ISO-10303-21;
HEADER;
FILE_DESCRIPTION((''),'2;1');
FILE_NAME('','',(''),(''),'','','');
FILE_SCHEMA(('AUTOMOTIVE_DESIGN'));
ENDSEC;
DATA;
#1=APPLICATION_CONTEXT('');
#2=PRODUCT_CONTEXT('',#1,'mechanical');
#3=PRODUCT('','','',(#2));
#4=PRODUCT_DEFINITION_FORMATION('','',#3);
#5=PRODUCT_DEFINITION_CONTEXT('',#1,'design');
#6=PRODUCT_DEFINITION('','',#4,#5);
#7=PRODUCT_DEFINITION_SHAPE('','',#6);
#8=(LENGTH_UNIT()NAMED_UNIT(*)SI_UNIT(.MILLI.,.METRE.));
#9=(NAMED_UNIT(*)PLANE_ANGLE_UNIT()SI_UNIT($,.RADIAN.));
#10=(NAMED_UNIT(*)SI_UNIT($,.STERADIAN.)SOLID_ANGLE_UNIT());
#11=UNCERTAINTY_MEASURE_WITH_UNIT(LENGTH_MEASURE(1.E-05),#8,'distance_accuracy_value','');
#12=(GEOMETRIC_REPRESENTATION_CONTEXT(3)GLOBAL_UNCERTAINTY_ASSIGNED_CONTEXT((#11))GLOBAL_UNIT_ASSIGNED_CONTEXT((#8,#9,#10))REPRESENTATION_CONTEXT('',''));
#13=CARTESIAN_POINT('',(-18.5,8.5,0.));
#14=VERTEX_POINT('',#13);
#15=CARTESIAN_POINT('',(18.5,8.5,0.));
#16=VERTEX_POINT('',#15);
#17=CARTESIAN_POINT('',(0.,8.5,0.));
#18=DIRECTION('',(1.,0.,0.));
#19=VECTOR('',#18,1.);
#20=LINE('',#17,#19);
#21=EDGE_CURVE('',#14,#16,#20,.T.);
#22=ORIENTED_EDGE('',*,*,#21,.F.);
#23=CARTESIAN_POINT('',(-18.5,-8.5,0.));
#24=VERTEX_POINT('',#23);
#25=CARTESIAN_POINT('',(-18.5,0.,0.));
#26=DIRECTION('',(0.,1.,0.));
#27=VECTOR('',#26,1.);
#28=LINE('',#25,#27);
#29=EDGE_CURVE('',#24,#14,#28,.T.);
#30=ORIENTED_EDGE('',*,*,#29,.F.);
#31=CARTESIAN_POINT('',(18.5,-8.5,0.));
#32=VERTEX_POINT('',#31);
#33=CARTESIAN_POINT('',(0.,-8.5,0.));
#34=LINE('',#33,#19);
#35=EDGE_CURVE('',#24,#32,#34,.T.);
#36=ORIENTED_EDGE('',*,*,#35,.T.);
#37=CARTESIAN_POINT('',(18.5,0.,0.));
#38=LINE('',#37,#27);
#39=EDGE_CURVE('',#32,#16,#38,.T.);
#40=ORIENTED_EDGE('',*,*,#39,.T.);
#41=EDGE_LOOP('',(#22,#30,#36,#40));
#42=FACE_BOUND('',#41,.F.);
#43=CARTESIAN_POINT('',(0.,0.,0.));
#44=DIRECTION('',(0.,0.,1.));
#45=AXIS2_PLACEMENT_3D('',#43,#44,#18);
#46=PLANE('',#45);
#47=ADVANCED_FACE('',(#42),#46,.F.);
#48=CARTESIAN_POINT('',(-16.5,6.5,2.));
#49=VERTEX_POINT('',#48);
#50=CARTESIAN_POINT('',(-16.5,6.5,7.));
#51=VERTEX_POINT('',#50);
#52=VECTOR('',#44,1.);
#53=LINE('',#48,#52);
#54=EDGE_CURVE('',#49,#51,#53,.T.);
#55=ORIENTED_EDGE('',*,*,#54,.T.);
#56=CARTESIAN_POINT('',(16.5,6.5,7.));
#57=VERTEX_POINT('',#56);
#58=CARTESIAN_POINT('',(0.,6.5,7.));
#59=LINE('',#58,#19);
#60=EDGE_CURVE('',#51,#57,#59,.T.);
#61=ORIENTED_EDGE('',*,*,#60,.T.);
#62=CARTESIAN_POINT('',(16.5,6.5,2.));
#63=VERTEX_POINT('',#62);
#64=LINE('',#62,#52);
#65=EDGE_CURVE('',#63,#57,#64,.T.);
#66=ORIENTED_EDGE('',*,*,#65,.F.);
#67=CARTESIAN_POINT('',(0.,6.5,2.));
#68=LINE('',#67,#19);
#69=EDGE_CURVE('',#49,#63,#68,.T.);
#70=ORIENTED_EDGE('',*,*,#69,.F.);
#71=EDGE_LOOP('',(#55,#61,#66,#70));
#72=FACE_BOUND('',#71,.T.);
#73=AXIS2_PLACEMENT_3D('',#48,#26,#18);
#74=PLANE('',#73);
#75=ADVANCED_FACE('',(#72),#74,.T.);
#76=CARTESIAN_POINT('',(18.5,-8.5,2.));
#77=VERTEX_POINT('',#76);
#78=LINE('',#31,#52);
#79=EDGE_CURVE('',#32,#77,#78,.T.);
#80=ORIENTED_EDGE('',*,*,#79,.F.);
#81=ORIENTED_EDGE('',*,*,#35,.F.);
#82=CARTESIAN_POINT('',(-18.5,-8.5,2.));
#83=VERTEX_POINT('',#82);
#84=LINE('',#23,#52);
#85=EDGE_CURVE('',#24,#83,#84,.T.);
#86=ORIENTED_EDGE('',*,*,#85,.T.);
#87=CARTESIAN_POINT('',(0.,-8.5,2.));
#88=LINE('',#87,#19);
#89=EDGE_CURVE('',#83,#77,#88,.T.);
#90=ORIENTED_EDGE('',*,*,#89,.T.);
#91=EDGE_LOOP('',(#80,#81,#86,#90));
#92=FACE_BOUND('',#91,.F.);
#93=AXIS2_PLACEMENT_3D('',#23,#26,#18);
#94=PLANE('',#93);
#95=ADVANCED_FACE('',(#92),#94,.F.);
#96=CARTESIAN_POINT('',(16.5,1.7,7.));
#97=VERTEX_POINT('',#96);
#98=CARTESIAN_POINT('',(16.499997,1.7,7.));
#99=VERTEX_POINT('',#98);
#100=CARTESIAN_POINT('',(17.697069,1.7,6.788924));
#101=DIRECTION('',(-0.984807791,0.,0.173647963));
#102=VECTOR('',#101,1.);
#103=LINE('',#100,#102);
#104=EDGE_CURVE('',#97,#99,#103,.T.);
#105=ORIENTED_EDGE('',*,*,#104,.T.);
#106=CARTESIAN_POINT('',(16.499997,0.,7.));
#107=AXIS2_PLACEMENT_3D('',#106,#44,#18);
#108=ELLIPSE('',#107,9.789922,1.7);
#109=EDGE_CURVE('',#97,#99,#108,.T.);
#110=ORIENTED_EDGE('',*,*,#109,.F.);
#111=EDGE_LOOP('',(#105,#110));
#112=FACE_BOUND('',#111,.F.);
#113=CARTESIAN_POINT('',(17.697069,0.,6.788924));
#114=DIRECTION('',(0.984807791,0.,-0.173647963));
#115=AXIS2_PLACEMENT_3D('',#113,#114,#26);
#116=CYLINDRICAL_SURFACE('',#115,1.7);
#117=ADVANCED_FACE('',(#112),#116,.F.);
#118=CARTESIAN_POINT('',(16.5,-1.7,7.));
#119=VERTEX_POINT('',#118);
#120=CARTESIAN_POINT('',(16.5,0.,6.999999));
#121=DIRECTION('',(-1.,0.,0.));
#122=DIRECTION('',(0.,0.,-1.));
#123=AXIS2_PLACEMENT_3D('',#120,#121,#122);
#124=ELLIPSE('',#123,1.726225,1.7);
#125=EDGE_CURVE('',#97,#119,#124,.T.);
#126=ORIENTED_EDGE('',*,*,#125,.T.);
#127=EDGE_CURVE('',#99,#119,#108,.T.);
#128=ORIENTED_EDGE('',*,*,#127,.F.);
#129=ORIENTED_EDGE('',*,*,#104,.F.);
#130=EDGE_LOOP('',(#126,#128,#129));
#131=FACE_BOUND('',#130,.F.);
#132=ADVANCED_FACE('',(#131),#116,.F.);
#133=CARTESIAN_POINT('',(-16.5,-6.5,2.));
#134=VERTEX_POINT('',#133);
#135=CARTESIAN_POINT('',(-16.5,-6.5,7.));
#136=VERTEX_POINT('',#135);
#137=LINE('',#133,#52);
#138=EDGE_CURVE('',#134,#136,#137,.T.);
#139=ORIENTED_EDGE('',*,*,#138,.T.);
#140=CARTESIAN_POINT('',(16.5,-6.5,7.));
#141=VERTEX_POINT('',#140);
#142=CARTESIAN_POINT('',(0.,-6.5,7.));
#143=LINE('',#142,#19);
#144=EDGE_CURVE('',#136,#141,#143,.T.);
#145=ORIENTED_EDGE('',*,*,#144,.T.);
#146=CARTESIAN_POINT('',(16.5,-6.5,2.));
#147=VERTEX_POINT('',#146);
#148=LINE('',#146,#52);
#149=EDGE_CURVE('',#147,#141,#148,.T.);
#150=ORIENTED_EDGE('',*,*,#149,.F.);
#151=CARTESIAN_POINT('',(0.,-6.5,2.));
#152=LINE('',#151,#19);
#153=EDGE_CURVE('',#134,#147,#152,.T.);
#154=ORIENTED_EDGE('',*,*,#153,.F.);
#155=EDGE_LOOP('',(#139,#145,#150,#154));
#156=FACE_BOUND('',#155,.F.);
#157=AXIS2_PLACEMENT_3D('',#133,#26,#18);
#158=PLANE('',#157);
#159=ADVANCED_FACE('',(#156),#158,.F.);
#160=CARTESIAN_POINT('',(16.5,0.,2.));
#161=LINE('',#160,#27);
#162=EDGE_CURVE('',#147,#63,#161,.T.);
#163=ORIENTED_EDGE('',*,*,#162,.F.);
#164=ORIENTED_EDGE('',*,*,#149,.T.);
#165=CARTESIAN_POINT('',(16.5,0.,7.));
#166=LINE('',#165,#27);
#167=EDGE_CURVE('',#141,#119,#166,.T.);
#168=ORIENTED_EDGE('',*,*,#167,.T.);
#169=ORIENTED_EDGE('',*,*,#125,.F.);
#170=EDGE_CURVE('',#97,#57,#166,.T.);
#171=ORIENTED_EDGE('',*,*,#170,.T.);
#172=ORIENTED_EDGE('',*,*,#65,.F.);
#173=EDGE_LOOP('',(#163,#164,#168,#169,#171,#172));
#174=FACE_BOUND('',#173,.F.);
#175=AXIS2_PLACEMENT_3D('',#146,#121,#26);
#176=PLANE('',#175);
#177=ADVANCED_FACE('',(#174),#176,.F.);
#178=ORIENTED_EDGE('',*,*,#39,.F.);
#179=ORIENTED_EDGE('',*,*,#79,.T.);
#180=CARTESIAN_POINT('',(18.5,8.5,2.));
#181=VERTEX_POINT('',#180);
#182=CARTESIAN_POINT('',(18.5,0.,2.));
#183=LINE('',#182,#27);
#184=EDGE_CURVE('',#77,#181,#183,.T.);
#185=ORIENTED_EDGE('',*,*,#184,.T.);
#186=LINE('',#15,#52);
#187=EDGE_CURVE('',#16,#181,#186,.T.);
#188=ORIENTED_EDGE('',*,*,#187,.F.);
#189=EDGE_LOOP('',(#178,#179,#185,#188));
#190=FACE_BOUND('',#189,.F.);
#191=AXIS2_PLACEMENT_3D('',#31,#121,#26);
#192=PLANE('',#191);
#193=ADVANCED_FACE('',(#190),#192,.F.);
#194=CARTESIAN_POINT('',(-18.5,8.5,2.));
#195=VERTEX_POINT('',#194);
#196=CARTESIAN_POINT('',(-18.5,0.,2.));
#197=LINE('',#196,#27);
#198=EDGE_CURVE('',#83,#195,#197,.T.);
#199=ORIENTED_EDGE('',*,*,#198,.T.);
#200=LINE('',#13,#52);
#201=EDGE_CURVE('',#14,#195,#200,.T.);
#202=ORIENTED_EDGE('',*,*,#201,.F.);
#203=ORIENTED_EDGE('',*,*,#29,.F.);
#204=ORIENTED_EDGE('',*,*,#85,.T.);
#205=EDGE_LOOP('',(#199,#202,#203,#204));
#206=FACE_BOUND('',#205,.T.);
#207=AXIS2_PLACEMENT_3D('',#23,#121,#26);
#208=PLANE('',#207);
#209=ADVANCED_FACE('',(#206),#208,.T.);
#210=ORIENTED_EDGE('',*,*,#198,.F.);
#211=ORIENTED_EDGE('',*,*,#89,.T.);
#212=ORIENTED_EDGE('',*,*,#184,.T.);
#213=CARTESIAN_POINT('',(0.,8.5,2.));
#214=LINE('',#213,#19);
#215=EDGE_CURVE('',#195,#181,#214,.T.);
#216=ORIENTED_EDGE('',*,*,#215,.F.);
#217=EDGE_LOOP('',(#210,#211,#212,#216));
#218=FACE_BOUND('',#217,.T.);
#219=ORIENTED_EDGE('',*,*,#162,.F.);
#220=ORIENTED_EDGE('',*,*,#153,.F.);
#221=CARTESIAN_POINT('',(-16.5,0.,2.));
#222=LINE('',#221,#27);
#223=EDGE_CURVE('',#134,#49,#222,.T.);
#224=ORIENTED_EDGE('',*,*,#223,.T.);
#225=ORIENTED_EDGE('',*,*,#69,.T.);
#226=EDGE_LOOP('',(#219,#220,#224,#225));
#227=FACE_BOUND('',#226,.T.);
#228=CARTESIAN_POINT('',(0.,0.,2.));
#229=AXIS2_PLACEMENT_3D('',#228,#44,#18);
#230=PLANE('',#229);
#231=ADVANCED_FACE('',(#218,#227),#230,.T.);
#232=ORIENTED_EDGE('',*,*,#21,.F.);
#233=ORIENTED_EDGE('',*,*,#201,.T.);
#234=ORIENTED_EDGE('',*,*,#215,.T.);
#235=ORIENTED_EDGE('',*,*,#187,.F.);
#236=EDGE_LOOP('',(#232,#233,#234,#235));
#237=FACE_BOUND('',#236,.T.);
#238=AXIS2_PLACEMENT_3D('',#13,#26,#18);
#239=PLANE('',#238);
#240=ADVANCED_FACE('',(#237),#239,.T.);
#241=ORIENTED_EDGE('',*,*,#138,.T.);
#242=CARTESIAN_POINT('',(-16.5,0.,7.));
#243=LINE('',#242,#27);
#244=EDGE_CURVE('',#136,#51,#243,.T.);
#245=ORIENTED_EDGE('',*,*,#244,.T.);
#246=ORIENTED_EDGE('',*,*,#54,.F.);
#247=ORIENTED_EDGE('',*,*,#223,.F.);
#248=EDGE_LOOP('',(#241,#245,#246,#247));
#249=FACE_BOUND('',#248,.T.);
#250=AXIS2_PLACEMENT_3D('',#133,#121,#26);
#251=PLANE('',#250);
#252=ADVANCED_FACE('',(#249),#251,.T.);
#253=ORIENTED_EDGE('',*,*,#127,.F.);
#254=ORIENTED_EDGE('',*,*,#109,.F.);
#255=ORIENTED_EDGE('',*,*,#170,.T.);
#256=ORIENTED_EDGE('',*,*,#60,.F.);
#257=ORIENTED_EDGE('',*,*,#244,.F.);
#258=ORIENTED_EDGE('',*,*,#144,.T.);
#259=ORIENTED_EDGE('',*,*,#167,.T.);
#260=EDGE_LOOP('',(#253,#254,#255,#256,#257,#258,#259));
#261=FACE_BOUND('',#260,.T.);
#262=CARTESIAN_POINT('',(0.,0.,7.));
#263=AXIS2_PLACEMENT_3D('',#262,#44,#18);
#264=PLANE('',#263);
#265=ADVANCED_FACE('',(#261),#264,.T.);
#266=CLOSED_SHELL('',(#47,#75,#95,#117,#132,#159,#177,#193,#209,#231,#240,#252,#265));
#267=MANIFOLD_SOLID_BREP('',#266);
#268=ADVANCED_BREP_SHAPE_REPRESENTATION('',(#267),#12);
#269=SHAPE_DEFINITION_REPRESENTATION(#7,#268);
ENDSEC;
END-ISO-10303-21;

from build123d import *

# Parameters (mm, degrees)
SKETCH_W     = 37
SKETCH_H     = 17
PAD_DEPTH    = 2
SKETCH001_W  = 33
SKETCH001_H  = 13
PAD001_DEPTH = 5
SKETCH002_R  = 1.7
POCKET_DEPTH = 115


with BuildPart() as part:
    # Sketch → Pad (new body)
    with BuildSketch(Plane.XY):
        Rectangle(SKETCH_W, SKETCH_H)
    extrude(amount=PAD_DEPTH)

    # Sketch001 (on Face6 of Pad) → Pad001 (join)
    with BuildSketch(Plane.XY.offset(2)):
        Rectangle(SKETCH001_W, SKETCH001_H)
    extrude(amount=PAD001_DEPTH)

    # Sketch002 (on Face8 of Pad001) → Pocket (cut)
    with BuildSketch(Plane(origin=(16.5, 0, 0), x_dir=(0, 1, 0), z_dir=(0.984808, 0, -0.173648))):
        with Locations((0, 6.893654)):
            Circle(SKETCH002_R)
    extrude(amount=-POCKET_DEPTH, mode=Mode.SUBTRACT)


solid = part.part
